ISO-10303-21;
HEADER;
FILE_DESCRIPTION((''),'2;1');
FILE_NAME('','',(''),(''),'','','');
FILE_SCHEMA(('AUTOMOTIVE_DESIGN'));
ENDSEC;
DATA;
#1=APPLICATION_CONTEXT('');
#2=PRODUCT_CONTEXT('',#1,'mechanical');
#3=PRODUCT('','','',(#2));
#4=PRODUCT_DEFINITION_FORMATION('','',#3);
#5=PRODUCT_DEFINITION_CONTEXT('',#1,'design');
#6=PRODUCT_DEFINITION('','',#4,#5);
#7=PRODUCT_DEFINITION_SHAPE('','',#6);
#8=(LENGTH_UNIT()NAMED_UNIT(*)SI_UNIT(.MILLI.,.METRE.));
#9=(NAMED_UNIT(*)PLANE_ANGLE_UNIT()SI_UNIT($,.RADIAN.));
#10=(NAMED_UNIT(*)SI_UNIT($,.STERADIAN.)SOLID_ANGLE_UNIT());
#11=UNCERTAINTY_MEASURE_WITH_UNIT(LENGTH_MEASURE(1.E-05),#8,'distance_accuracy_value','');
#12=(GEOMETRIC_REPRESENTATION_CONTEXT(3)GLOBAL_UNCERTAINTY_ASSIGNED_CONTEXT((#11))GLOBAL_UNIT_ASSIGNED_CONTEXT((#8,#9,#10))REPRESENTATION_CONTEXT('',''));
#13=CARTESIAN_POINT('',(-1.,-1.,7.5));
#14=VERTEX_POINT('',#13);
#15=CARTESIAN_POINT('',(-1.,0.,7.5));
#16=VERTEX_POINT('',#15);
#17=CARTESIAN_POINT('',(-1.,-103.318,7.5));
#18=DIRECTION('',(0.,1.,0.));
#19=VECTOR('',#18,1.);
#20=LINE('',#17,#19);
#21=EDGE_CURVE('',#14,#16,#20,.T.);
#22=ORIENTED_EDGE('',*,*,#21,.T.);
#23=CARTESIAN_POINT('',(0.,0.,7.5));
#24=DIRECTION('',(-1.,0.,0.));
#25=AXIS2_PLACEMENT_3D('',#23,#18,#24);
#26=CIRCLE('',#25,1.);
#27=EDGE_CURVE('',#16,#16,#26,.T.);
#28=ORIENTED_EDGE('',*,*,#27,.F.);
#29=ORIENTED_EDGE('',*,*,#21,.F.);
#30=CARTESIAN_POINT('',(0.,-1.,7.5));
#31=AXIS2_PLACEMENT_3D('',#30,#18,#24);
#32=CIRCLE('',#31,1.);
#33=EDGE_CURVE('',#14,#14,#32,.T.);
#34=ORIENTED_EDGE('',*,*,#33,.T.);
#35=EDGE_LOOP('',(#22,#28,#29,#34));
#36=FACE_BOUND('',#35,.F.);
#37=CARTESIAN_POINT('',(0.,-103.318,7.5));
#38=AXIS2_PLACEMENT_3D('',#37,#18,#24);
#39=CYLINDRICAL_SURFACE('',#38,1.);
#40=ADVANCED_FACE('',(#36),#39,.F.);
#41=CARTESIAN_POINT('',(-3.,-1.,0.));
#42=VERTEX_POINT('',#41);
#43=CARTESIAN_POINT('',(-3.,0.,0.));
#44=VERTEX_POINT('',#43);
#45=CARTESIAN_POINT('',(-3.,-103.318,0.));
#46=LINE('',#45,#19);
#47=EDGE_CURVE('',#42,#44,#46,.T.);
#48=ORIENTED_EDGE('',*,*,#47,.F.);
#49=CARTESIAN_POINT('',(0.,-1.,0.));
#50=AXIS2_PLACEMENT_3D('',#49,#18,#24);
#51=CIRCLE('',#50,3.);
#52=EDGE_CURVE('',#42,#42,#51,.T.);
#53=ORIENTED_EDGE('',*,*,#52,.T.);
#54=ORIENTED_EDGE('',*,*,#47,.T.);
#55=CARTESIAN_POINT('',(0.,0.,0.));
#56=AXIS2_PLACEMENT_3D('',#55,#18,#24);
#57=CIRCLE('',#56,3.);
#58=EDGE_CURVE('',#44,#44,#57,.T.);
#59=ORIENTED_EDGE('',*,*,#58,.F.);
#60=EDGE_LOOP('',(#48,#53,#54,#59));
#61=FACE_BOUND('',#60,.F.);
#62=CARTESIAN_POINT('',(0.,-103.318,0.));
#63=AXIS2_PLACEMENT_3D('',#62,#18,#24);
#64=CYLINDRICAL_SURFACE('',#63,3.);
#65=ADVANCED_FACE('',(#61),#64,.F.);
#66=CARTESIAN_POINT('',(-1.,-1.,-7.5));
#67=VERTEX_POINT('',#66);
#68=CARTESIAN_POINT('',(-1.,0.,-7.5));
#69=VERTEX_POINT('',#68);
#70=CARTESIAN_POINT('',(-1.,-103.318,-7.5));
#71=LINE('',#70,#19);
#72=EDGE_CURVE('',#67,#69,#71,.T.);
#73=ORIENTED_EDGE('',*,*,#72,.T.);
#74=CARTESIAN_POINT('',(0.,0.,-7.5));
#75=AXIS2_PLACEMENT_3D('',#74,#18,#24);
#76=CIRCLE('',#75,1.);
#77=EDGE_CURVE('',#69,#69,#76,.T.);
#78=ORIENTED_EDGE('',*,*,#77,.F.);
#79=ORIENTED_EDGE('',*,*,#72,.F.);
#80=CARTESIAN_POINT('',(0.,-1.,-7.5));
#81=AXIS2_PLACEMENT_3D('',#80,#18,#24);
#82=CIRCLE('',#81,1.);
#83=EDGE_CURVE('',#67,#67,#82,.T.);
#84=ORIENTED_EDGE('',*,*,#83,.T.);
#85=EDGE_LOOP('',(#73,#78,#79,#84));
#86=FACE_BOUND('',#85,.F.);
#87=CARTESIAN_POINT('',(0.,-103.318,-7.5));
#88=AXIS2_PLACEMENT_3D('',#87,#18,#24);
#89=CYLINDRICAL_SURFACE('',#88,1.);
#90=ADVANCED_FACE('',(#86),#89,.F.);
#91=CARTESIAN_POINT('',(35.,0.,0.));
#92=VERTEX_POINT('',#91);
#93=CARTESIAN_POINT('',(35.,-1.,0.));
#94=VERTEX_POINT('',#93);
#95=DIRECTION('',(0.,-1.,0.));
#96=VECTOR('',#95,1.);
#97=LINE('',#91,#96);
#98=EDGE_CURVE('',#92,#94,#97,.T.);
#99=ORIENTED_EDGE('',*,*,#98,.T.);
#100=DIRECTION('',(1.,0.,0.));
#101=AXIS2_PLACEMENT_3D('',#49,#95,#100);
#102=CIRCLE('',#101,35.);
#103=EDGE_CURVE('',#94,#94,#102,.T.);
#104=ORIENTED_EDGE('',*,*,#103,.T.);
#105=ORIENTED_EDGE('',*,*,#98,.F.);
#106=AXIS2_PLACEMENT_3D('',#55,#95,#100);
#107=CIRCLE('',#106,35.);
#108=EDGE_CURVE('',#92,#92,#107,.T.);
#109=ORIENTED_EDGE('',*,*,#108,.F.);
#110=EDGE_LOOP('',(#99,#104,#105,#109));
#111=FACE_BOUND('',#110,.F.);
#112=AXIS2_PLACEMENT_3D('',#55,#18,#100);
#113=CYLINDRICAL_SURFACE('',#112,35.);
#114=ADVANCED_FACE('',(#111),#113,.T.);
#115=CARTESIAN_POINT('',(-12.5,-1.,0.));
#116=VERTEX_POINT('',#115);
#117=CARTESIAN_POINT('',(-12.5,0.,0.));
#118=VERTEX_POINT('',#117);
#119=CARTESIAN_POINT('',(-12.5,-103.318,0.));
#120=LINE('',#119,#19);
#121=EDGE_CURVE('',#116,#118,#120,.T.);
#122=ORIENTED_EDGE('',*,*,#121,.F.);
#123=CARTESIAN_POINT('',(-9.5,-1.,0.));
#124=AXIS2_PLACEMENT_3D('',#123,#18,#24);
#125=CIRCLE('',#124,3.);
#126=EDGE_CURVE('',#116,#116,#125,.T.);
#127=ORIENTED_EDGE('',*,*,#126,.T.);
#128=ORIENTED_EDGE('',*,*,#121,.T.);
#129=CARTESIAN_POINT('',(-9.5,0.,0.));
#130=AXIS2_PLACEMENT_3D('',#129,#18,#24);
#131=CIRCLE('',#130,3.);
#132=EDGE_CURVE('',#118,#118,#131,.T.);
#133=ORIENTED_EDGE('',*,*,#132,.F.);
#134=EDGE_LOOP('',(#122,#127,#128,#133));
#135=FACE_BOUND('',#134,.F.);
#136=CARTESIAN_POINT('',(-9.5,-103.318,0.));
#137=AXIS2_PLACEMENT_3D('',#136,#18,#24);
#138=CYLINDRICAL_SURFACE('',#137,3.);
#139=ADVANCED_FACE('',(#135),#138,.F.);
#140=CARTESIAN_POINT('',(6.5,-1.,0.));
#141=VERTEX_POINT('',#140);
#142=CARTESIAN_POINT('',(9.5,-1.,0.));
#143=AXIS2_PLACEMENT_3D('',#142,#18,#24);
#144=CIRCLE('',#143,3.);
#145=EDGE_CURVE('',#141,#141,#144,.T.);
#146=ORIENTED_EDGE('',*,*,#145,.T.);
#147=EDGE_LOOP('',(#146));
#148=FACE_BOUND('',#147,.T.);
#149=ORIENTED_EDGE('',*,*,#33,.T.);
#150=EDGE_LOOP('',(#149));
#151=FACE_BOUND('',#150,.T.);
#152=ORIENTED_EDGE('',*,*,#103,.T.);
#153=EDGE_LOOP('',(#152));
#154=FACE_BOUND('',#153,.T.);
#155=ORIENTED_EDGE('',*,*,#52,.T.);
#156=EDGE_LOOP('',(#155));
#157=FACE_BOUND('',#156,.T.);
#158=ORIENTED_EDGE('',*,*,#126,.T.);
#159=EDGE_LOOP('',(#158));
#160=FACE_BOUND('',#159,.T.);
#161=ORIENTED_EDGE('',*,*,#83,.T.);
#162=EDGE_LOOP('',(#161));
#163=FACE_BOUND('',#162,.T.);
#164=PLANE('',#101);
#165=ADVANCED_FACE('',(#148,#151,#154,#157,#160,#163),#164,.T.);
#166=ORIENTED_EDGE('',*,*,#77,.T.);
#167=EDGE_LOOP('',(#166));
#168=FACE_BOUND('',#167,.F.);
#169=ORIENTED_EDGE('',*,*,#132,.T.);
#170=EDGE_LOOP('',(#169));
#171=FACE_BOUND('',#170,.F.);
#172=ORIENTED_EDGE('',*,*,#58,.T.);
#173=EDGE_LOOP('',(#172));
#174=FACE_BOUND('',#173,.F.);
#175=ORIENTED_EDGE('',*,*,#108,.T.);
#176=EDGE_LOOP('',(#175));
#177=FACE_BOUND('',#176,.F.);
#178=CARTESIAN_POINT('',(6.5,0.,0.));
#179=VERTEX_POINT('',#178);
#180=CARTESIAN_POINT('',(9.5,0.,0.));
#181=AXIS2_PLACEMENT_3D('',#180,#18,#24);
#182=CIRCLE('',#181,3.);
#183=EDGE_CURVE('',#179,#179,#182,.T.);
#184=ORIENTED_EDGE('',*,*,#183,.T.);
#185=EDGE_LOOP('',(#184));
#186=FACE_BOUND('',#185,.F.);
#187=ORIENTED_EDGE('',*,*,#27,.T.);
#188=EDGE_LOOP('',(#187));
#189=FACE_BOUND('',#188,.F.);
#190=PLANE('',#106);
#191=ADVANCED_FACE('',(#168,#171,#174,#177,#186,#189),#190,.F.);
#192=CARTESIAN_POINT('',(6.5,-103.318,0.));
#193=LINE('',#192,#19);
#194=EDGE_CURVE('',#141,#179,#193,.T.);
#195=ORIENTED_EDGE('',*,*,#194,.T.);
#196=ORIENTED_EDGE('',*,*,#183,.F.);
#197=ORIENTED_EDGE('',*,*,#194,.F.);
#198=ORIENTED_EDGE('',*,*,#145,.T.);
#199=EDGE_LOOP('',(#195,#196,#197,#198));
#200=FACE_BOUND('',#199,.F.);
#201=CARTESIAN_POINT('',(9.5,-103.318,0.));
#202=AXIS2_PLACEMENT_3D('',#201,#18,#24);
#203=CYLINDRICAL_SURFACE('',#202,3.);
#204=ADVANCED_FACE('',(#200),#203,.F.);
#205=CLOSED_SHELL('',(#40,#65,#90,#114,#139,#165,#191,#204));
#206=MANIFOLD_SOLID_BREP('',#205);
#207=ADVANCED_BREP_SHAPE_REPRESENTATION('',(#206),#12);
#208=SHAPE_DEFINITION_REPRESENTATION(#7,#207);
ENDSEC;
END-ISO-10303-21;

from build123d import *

# Parameters (mm, degrees)
F0_R     = 35
F1_DEPTH = 1
F4_D     = 6
F5_D     = 2


with BuildPart() as f1:
    # F0 (on Front) → F1 (new body)
    with BuildSketch(Plane.XZ):
        Circle(F0_R)
    extrude(amount=F1_DEPTH)

    # F4 (through all)
    with Locations(Plane.XZ.offset(4.318)):
        with Locations((-9.5, 0), (9.5, 0), (0, 0)):
            Hole(F4_D / 2)

    # F5 (through all)
    with Locations(Plane.XZ.offset(4.318)):
        with Locations((0, 7.5), (0, -7.5)):
            Hole(F5_D / 2)


solid = f1.part
